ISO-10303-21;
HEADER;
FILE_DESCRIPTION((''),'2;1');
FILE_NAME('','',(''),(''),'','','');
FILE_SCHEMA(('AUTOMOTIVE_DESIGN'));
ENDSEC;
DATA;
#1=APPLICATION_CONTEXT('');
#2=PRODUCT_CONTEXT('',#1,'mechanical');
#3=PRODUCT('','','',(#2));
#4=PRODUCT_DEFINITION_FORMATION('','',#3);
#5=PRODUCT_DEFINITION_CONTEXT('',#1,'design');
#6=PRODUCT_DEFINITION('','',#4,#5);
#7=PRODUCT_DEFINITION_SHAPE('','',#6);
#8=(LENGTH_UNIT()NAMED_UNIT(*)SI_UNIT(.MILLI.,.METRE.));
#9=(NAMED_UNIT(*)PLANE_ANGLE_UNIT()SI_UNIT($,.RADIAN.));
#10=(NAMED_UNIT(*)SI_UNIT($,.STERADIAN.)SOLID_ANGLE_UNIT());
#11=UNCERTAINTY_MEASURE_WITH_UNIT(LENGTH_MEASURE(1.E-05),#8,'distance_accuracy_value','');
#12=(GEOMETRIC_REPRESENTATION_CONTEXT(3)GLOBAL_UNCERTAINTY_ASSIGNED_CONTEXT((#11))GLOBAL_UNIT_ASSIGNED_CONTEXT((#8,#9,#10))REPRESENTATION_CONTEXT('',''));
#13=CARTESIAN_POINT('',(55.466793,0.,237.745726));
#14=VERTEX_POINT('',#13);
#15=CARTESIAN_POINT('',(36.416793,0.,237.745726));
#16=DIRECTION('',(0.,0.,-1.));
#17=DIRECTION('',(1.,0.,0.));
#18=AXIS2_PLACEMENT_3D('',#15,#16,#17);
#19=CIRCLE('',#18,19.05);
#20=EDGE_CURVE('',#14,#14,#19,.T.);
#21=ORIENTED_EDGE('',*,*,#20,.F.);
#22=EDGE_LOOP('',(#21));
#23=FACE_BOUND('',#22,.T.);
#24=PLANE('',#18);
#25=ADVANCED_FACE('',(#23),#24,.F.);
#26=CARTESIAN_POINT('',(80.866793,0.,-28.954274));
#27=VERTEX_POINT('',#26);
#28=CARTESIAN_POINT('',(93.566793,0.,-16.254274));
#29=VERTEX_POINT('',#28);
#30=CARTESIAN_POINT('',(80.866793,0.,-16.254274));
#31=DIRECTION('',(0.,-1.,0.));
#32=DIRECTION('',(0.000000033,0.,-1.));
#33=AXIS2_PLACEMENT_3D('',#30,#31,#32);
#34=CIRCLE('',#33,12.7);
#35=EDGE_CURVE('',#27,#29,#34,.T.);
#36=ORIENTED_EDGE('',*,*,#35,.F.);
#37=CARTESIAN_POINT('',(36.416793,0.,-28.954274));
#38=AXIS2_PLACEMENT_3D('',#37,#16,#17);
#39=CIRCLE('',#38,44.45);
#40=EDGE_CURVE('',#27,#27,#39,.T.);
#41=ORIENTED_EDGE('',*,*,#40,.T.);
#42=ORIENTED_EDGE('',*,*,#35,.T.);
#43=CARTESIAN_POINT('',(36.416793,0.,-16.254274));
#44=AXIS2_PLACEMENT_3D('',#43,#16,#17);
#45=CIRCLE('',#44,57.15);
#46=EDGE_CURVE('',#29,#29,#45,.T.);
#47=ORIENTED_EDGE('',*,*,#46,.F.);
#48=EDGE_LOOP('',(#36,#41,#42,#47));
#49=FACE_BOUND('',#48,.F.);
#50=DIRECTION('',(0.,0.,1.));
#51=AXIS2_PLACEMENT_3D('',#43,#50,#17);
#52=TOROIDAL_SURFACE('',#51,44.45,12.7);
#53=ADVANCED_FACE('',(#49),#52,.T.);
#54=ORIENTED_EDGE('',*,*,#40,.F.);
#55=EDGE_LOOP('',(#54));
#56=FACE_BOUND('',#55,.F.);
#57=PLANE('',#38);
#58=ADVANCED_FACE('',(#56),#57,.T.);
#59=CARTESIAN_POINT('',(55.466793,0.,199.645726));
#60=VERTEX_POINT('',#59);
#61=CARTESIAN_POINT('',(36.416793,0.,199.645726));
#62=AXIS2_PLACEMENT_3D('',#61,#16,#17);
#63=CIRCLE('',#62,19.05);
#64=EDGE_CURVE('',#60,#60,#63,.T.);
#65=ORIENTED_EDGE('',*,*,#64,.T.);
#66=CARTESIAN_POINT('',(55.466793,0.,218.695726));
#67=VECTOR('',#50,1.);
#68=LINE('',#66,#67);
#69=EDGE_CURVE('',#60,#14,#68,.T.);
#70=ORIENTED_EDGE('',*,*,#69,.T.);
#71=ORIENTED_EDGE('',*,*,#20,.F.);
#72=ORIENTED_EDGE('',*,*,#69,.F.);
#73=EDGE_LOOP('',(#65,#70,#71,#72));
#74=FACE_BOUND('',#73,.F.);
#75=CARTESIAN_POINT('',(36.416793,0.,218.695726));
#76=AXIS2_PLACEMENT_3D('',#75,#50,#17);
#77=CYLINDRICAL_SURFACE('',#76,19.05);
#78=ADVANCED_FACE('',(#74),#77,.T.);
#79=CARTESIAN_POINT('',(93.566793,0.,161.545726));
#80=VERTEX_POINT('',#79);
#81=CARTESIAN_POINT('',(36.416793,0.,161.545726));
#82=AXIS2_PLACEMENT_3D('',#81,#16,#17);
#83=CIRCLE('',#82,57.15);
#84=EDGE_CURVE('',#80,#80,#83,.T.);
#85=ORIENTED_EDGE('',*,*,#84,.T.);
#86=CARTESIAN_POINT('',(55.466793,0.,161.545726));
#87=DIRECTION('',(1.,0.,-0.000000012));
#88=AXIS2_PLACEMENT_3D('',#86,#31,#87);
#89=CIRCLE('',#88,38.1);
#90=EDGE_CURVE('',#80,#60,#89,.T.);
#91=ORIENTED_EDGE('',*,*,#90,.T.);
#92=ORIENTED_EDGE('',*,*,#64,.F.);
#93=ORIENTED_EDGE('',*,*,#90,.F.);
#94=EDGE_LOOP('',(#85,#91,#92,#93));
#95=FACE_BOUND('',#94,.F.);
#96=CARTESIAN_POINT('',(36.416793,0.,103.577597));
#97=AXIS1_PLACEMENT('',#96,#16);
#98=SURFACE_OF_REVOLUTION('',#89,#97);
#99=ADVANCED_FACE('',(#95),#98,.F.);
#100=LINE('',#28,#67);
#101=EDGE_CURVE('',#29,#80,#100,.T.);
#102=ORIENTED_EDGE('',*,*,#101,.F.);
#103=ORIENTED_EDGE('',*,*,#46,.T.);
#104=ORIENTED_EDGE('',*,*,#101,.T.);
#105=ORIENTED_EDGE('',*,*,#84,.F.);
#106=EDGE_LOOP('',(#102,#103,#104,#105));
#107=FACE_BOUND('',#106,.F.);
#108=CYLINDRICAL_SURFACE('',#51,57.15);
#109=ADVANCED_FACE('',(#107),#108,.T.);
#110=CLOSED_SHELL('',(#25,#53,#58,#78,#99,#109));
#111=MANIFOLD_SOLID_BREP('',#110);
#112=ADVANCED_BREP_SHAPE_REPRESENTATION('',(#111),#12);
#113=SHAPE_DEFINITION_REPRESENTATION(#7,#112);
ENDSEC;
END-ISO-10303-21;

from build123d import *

# Parameters (mm, degrees)
F0_W = 19.05
F0_H = 38.1


with BuildPart() as f1:
    # F0 (on Front) → F1 (revolve)
    with BuildSketch(Plane.XZ):
        with BuildLine():
            Line((55.466793, 199.645726), (36.416793, 199.645726))
            Line((36.416793, 199.645726), (36.416793, -28.954274))
            Line((36.416793, -28.954274), (80.866793, -28.954274))
            ThreePointArc((80.866793, -28.954274), (89.847049, -25.23453), (93.566793, -16.254274))
            Line((93.566793, -16.254274), (93.566793, 161.545726))
            ThreePointArc((93.566793, 161.545726), (82.407561, 188.486495), (55.466793, 199.645726))
        make_face()
        with Locations((45.941793, 218.695726)):
            Rectangle(F0_W, F0_H)
    revolve(axis=Axis((36.416793, 0, 103.577597), (0, 0, -1)))


solid = f1.part
